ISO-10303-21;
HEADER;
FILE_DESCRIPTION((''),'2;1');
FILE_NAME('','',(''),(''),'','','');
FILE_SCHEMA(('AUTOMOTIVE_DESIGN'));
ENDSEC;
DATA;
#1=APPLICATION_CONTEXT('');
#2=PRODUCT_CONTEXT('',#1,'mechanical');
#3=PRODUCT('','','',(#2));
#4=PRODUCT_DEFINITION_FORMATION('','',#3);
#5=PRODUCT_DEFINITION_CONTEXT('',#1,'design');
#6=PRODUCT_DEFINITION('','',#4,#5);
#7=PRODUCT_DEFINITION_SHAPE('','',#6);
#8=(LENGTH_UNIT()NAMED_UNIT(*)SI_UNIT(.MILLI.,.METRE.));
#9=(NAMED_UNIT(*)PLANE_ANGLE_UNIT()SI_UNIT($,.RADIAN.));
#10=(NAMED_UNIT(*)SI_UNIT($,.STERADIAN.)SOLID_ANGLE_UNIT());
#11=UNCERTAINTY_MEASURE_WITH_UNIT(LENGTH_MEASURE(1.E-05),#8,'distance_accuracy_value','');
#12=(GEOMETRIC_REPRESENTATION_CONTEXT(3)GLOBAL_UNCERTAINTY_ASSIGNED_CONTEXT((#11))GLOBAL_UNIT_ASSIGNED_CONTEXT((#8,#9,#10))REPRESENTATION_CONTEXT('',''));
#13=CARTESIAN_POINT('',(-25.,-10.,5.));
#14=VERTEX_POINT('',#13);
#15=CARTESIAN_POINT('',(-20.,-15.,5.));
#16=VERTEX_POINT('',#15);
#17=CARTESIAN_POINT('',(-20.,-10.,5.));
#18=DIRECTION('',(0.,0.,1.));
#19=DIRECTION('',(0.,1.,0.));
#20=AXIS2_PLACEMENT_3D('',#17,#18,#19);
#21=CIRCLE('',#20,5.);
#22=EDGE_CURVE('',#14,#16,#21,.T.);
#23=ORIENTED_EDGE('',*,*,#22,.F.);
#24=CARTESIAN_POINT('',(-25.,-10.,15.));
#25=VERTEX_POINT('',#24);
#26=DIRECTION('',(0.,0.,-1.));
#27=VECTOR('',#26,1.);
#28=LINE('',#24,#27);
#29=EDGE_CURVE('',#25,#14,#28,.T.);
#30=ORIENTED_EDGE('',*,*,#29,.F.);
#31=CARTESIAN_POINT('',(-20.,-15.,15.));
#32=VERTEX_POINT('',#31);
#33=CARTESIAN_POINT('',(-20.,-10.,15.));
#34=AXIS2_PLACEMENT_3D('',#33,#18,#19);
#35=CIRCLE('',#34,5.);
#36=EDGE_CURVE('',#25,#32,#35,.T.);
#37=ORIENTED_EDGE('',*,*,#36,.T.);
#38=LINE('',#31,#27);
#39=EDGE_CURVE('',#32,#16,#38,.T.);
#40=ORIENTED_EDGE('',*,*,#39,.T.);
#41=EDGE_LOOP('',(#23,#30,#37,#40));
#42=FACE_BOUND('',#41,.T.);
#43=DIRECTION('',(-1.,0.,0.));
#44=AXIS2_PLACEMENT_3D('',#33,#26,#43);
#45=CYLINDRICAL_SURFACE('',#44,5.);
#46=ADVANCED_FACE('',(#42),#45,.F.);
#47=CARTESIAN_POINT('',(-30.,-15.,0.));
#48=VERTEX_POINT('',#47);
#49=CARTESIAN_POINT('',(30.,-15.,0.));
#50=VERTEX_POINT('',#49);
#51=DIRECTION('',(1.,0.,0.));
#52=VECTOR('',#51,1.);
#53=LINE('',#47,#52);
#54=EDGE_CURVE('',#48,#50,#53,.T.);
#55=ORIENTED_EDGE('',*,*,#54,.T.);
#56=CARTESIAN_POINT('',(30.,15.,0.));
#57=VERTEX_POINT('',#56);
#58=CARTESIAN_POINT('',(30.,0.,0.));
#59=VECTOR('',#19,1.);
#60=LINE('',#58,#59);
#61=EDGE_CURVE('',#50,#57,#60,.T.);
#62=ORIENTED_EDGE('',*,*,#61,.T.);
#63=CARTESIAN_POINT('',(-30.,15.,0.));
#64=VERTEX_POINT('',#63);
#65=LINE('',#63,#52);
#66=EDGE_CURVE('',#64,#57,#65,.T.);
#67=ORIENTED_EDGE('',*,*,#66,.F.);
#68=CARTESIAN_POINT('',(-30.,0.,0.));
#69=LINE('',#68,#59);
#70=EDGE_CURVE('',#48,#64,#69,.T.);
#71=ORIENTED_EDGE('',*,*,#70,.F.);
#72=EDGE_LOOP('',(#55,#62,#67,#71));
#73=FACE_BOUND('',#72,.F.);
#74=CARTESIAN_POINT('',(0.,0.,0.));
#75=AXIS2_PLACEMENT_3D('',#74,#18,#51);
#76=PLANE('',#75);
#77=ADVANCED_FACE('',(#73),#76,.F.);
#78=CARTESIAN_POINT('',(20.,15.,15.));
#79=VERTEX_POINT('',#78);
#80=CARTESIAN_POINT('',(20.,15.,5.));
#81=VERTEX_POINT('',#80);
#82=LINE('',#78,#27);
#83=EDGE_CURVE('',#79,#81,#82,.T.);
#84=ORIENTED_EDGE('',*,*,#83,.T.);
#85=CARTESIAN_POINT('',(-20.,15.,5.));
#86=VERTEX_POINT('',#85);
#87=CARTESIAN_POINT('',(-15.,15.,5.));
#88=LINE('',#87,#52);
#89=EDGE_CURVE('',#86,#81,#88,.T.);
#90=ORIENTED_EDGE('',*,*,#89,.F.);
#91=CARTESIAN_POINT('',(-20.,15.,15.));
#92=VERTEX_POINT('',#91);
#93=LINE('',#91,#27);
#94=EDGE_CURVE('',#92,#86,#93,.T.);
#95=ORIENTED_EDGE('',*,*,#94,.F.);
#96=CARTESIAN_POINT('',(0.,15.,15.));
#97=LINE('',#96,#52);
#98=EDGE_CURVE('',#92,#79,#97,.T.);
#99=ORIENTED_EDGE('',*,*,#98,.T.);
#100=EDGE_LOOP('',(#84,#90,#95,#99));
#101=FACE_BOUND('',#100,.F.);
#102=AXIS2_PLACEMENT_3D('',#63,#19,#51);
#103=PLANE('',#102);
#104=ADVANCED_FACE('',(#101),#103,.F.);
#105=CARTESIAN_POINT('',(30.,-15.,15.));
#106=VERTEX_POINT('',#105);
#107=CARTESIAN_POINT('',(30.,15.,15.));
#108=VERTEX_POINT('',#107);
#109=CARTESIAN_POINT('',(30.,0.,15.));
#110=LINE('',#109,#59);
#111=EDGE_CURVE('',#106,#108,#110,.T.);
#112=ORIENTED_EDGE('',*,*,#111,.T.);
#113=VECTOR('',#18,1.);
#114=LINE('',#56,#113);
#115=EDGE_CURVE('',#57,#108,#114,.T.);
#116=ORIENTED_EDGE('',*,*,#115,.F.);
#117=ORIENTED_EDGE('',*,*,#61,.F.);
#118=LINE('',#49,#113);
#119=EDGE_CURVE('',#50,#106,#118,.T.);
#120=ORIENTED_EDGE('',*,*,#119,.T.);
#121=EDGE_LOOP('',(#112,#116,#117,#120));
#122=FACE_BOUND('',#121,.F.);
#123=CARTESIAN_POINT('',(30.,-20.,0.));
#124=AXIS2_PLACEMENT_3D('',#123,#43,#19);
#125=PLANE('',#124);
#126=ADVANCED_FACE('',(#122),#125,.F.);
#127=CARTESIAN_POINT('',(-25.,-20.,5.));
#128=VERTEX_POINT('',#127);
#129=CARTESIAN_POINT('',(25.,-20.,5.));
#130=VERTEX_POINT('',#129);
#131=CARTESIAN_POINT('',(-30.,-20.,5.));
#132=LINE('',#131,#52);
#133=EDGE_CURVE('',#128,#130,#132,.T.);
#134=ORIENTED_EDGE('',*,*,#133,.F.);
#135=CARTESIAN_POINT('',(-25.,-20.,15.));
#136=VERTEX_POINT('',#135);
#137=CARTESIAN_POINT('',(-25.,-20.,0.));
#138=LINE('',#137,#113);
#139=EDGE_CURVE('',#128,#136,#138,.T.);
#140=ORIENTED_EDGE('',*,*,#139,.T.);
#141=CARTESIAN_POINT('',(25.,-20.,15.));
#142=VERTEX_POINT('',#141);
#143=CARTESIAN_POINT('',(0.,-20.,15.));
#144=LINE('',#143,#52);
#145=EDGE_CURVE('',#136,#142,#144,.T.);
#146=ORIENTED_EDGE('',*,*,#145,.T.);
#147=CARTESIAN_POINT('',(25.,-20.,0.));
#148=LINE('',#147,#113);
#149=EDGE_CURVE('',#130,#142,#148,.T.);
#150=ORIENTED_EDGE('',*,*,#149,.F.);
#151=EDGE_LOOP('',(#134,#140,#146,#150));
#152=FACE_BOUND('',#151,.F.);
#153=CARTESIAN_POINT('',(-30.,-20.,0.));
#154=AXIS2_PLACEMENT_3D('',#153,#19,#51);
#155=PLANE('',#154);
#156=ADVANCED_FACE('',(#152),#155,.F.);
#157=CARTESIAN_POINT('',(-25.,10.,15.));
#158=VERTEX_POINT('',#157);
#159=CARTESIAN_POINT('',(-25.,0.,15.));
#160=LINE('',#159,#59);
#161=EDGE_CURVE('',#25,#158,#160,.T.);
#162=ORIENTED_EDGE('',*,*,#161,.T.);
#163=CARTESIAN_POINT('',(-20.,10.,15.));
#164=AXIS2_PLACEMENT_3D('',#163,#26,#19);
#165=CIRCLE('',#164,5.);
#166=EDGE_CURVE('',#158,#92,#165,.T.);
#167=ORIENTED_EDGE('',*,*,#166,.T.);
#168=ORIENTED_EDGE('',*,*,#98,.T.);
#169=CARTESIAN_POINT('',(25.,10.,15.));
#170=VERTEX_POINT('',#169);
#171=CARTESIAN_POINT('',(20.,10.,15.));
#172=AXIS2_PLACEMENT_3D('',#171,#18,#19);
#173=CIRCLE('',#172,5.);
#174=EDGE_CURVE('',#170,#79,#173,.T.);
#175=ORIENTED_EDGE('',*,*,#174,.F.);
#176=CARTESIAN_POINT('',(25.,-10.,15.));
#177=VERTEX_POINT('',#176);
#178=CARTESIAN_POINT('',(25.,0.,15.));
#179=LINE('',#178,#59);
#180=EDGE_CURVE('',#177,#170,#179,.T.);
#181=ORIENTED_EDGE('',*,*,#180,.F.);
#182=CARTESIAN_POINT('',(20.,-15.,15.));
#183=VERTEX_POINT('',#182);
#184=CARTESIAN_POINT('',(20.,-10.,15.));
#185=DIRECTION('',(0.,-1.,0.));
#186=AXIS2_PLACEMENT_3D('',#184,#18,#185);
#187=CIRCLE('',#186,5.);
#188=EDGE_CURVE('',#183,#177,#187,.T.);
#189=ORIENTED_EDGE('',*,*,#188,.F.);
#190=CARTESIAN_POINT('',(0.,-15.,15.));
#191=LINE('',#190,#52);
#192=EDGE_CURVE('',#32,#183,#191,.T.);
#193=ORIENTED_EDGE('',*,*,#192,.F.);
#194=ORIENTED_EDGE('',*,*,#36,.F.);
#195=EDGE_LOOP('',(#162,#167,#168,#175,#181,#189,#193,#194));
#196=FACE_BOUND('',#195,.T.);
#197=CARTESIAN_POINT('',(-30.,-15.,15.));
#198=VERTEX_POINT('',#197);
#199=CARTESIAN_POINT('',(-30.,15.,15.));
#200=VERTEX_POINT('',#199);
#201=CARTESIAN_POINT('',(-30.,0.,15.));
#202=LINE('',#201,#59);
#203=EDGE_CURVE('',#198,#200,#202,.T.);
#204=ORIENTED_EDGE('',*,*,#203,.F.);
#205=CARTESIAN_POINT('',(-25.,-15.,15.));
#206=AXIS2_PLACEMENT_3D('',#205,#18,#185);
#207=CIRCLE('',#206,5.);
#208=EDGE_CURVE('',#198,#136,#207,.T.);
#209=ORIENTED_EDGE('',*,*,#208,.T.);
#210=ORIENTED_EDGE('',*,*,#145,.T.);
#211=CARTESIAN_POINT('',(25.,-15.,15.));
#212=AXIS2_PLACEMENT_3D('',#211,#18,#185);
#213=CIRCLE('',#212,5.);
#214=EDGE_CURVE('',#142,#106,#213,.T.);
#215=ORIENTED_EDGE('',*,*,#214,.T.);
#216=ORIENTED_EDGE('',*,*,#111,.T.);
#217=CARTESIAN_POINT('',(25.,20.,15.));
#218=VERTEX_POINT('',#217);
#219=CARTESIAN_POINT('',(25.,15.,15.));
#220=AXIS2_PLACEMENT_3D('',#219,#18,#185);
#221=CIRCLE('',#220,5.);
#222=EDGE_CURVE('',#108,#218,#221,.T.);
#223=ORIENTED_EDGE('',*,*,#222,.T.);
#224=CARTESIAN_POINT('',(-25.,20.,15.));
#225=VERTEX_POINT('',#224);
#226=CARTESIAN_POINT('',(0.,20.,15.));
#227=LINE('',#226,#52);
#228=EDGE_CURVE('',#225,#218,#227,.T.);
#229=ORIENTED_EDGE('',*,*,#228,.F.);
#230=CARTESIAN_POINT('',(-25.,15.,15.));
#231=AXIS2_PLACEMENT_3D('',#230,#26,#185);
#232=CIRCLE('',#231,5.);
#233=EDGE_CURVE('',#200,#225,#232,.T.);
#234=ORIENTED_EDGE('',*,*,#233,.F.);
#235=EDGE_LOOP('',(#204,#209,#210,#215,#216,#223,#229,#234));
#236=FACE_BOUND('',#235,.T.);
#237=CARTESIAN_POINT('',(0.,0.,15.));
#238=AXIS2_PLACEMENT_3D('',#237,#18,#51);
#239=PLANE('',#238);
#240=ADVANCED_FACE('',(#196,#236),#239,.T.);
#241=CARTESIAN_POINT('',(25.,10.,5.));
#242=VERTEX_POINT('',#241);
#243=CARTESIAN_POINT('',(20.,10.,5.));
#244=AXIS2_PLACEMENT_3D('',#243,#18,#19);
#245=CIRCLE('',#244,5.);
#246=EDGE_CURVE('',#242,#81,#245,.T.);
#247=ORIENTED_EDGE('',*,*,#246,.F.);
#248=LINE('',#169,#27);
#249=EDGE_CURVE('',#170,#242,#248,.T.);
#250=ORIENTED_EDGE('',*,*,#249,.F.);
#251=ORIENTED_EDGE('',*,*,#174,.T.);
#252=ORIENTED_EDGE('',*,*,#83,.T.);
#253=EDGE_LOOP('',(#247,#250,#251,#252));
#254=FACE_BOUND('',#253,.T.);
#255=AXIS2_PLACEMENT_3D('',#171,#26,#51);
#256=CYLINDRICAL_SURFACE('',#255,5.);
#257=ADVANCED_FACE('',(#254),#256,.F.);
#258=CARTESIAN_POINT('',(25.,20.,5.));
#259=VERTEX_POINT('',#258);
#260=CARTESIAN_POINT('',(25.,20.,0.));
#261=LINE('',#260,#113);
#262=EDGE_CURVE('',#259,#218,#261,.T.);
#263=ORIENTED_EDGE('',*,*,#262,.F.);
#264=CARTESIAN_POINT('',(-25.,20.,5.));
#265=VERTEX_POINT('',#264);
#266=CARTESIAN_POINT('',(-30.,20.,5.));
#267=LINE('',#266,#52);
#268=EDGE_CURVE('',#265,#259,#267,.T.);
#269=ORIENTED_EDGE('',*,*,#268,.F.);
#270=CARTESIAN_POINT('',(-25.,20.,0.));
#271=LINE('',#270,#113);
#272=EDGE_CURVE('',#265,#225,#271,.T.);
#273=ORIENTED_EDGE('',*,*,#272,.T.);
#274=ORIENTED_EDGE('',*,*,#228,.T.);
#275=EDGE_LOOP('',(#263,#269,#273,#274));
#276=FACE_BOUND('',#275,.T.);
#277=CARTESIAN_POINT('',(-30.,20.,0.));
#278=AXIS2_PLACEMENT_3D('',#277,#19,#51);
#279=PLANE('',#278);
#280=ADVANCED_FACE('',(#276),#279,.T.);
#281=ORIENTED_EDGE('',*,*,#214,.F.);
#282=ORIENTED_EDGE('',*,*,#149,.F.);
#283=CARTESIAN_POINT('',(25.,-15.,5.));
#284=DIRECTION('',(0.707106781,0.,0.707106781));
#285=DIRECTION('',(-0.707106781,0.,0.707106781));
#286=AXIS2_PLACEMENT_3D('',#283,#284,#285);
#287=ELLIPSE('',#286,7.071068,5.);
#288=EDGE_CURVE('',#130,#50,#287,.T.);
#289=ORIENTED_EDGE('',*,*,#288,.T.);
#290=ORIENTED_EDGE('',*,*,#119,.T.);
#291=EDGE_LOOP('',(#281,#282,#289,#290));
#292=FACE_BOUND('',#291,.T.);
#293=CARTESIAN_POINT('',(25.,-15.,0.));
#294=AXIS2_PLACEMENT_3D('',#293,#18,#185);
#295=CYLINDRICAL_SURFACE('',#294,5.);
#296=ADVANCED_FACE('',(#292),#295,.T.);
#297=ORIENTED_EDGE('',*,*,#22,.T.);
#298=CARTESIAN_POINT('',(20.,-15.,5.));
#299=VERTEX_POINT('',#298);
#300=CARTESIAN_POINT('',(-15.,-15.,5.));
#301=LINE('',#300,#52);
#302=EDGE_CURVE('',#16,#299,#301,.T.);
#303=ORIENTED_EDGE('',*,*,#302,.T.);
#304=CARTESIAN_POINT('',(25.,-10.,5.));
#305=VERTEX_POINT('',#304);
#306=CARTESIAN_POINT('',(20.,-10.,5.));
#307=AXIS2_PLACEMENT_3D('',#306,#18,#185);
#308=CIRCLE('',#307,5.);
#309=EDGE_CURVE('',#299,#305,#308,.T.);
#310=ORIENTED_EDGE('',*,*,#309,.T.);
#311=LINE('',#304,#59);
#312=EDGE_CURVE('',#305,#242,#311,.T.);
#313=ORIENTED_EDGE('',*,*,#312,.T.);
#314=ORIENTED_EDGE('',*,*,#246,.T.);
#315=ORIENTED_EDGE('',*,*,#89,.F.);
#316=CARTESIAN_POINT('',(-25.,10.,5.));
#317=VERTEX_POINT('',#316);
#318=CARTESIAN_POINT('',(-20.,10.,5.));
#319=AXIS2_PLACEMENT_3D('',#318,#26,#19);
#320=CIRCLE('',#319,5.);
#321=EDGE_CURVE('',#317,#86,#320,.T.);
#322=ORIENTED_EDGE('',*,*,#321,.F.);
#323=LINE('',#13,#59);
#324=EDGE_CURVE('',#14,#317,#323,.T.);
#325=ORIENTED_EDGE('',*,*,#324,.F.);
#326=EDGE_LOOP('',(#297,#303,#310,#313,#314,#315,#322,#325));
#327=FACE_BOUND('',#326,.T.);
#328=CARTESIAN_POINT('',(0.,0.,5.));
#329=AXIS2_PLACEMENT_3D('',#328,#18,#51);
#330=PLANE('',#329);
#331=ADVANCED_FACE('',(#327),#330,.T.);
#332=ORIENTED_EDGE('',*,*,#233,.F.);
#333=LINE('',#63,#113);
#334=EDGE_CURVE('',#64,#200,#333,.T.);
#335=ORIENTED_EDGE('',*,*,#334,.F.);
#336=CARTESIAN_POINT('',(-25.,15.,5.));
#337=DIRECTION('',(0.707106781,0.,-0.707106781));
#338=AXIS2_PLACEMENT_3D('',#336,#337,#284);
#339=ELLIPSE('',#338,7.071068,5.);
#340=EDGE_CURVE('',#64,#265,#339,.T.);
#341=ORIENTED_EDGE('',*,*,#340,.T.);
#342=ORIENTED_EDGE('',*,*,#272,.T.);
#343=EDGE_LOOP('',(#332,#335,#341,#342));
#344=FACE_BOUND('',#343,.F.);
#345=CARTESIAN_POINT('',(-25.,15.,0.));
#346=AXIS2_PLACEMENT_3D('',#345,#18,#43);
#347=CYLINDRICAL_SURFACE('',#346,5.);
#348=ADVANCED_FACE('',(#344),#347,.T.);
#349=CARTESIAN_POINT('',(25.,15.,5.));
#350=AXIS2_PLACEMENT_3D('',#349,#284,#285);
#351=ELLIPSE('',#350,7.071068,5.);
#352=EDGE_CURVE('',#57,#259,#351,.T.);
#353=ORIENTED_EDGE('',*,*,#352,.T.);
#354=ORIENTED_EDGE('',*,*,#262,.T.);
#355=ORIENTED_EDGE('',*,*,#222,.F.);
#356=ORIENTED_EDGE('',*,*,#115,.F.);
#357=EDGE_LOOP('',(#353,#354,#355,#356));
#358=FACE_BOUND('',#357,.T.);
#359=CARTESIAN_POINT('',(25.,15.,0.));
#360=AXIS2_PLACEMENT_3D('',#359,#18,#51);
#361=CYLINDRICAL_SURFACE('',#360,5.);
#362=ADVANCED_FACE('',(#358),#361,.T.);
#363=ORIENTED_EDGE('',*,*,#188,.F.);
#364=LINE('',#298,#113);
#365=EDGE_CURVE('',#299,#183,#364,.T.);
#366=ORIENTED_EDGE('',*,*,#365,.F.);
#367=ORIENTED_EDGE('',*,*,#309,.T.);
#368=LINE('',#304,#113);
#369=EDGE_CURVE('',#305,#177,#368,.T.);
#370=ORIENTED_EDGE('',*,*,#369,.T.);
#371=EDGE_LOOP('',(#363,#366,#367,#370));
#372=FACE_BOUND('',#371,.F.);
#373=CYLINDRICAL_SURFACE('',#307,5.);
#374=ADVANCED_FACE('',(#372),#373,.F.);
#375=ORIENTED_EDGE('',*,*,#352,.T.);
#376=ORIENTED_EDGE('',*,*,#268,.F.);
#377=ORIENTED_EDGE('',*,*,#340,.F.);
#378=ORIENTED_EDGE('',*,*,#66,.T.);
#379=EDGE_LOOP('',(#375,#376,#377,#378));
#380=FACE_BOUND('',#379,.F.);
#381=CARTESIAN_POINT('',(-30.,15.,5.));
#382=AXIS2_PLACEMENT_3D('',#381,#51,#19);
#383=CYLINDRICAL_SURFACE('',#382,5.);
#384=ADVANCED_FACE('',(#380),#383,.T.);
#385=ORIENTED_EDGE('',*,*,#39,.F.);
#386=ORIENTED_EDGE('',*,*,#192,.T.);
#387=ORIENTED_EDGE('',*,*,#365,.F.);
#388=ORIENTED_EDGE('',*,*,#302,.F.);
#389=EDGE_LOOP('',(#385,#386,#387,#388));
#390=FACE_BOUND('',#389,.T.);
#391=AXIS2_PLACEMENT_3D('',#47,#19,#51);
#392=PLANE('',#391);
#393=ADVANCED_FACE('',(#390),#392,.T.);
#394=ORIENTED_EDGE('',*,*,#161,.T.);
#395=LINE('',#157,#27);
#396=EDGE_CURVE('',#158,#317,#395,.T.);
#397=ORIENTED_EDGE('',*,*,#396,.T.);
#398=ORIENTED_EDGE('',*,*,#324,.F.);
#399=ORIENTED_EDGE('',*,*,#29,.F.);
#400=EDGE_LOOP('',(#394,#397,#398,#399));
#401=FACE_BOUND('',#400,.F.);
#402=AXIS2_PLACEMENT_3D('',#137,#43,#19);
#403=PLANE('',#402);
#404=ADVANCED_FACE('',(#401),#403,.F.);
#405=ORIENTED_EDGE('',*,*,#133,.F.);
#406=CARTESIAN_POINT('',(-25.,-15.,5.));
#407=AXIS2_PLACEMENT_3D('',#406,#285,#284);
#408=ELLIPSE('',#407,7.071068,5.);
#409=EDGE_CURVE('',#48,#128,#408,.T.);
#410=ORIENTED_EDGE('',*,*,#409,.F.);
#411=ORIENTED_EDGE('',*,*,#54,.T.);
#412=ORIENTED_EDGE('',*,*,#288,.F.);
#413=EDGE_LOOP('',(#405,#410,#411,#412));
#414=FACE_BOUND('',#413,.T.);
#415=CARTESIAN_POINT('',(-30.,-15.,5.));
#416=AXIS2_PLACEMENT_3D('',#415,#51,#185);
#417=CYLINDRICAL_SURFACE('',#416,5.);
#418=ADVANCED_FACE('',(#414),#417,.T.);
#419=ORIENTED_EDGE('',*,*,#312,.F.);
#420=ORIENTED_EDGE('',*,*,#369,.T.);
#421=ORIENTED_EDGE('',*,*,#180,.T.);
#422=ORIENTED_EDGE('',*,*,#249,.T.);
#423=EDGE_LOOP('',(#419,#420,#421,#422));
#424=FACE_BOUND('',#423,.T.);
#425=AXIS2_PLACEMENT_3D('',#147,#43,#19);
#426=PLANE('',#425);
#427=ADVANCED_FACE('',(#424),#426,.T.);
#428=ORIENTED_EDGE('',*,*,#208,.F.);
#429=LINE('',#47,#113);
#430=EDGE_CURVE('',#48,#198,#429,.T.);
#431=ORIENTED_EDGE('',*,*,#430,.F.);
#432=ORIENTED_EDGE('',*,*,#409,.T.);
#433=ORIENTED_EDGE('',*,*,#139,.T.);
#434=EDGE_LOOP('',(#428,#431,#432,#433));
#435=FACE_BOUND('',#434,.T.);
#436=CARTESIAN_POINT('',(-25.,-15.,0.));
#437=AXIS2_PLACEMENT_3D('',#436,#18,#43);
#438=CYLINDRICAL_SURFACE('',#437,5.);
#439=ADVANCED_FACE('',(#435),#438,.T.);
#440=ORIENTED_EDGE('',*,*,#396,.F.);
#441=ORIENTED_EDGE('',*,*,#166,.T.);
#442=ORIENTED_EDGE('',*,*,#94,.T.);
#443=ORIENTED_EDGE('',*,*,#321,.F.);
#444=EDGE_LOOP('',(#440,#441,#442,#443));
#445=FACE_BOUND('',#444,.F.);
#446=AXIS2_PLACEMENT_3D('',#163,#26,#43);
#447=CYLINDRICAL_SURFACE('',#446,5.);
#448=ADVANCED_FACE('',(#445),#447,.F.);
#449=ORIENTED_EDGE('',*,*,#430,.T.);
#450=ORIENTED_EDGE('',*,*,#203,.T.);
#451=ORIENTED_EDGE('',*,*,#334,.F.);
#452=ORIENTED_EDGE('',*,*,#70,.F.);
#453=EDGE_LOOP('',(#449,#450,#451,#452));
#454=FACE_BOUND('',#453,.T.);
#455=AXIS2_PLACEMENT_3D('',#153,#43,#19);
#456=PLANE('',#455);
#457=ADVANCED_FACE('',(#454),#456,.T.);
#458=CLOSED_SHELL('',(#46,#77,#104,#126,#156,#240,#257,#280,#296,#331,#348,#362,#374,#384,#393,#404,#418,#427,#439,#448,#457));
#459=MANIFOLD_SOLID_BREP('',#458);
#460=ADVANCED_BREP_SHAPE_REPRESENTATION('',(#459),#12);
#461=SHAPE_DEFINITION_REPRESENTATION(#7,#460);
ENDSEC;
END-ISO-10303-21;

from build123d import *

# Parameters (mm, degrees)
F0_W     = 60
F0_H     = 40
F1_DEPTH = 15
F2_T     = -5
F3_R     = 5


with BuildPart() as f1:
    # F0 (on Top) → F1 (new body)
    with BuildSketch(Plane.XY):
        Rectangle(F0_W, F0_H)
    extrude(amount=F1_DEPTH)

    # F2
    f2_openings = [f1.faces().sort_by_distance(p)[0] for p in [
        (0, 0, 15),
    ]]
    offset(amount=F2_T, openings=f2_openings)

    # F3
    f3_edges = [f1.edges().sort_by_distance(p)[0] for p in [
        (-30, 20, 7.5),
        (30, 20, 7.5),
        (-30, -20, 7.5),
        (30, -20, 7.5),
        (-25, -15, 10),
        (-25, 15, 10),
        (25, -15, 10),
        (25, 15, 10),
        (0, 20, 0),
        (0, -20, 0),
    ]]
    fillet(f3_edges, radius=F3_R)


solid = f1.part
